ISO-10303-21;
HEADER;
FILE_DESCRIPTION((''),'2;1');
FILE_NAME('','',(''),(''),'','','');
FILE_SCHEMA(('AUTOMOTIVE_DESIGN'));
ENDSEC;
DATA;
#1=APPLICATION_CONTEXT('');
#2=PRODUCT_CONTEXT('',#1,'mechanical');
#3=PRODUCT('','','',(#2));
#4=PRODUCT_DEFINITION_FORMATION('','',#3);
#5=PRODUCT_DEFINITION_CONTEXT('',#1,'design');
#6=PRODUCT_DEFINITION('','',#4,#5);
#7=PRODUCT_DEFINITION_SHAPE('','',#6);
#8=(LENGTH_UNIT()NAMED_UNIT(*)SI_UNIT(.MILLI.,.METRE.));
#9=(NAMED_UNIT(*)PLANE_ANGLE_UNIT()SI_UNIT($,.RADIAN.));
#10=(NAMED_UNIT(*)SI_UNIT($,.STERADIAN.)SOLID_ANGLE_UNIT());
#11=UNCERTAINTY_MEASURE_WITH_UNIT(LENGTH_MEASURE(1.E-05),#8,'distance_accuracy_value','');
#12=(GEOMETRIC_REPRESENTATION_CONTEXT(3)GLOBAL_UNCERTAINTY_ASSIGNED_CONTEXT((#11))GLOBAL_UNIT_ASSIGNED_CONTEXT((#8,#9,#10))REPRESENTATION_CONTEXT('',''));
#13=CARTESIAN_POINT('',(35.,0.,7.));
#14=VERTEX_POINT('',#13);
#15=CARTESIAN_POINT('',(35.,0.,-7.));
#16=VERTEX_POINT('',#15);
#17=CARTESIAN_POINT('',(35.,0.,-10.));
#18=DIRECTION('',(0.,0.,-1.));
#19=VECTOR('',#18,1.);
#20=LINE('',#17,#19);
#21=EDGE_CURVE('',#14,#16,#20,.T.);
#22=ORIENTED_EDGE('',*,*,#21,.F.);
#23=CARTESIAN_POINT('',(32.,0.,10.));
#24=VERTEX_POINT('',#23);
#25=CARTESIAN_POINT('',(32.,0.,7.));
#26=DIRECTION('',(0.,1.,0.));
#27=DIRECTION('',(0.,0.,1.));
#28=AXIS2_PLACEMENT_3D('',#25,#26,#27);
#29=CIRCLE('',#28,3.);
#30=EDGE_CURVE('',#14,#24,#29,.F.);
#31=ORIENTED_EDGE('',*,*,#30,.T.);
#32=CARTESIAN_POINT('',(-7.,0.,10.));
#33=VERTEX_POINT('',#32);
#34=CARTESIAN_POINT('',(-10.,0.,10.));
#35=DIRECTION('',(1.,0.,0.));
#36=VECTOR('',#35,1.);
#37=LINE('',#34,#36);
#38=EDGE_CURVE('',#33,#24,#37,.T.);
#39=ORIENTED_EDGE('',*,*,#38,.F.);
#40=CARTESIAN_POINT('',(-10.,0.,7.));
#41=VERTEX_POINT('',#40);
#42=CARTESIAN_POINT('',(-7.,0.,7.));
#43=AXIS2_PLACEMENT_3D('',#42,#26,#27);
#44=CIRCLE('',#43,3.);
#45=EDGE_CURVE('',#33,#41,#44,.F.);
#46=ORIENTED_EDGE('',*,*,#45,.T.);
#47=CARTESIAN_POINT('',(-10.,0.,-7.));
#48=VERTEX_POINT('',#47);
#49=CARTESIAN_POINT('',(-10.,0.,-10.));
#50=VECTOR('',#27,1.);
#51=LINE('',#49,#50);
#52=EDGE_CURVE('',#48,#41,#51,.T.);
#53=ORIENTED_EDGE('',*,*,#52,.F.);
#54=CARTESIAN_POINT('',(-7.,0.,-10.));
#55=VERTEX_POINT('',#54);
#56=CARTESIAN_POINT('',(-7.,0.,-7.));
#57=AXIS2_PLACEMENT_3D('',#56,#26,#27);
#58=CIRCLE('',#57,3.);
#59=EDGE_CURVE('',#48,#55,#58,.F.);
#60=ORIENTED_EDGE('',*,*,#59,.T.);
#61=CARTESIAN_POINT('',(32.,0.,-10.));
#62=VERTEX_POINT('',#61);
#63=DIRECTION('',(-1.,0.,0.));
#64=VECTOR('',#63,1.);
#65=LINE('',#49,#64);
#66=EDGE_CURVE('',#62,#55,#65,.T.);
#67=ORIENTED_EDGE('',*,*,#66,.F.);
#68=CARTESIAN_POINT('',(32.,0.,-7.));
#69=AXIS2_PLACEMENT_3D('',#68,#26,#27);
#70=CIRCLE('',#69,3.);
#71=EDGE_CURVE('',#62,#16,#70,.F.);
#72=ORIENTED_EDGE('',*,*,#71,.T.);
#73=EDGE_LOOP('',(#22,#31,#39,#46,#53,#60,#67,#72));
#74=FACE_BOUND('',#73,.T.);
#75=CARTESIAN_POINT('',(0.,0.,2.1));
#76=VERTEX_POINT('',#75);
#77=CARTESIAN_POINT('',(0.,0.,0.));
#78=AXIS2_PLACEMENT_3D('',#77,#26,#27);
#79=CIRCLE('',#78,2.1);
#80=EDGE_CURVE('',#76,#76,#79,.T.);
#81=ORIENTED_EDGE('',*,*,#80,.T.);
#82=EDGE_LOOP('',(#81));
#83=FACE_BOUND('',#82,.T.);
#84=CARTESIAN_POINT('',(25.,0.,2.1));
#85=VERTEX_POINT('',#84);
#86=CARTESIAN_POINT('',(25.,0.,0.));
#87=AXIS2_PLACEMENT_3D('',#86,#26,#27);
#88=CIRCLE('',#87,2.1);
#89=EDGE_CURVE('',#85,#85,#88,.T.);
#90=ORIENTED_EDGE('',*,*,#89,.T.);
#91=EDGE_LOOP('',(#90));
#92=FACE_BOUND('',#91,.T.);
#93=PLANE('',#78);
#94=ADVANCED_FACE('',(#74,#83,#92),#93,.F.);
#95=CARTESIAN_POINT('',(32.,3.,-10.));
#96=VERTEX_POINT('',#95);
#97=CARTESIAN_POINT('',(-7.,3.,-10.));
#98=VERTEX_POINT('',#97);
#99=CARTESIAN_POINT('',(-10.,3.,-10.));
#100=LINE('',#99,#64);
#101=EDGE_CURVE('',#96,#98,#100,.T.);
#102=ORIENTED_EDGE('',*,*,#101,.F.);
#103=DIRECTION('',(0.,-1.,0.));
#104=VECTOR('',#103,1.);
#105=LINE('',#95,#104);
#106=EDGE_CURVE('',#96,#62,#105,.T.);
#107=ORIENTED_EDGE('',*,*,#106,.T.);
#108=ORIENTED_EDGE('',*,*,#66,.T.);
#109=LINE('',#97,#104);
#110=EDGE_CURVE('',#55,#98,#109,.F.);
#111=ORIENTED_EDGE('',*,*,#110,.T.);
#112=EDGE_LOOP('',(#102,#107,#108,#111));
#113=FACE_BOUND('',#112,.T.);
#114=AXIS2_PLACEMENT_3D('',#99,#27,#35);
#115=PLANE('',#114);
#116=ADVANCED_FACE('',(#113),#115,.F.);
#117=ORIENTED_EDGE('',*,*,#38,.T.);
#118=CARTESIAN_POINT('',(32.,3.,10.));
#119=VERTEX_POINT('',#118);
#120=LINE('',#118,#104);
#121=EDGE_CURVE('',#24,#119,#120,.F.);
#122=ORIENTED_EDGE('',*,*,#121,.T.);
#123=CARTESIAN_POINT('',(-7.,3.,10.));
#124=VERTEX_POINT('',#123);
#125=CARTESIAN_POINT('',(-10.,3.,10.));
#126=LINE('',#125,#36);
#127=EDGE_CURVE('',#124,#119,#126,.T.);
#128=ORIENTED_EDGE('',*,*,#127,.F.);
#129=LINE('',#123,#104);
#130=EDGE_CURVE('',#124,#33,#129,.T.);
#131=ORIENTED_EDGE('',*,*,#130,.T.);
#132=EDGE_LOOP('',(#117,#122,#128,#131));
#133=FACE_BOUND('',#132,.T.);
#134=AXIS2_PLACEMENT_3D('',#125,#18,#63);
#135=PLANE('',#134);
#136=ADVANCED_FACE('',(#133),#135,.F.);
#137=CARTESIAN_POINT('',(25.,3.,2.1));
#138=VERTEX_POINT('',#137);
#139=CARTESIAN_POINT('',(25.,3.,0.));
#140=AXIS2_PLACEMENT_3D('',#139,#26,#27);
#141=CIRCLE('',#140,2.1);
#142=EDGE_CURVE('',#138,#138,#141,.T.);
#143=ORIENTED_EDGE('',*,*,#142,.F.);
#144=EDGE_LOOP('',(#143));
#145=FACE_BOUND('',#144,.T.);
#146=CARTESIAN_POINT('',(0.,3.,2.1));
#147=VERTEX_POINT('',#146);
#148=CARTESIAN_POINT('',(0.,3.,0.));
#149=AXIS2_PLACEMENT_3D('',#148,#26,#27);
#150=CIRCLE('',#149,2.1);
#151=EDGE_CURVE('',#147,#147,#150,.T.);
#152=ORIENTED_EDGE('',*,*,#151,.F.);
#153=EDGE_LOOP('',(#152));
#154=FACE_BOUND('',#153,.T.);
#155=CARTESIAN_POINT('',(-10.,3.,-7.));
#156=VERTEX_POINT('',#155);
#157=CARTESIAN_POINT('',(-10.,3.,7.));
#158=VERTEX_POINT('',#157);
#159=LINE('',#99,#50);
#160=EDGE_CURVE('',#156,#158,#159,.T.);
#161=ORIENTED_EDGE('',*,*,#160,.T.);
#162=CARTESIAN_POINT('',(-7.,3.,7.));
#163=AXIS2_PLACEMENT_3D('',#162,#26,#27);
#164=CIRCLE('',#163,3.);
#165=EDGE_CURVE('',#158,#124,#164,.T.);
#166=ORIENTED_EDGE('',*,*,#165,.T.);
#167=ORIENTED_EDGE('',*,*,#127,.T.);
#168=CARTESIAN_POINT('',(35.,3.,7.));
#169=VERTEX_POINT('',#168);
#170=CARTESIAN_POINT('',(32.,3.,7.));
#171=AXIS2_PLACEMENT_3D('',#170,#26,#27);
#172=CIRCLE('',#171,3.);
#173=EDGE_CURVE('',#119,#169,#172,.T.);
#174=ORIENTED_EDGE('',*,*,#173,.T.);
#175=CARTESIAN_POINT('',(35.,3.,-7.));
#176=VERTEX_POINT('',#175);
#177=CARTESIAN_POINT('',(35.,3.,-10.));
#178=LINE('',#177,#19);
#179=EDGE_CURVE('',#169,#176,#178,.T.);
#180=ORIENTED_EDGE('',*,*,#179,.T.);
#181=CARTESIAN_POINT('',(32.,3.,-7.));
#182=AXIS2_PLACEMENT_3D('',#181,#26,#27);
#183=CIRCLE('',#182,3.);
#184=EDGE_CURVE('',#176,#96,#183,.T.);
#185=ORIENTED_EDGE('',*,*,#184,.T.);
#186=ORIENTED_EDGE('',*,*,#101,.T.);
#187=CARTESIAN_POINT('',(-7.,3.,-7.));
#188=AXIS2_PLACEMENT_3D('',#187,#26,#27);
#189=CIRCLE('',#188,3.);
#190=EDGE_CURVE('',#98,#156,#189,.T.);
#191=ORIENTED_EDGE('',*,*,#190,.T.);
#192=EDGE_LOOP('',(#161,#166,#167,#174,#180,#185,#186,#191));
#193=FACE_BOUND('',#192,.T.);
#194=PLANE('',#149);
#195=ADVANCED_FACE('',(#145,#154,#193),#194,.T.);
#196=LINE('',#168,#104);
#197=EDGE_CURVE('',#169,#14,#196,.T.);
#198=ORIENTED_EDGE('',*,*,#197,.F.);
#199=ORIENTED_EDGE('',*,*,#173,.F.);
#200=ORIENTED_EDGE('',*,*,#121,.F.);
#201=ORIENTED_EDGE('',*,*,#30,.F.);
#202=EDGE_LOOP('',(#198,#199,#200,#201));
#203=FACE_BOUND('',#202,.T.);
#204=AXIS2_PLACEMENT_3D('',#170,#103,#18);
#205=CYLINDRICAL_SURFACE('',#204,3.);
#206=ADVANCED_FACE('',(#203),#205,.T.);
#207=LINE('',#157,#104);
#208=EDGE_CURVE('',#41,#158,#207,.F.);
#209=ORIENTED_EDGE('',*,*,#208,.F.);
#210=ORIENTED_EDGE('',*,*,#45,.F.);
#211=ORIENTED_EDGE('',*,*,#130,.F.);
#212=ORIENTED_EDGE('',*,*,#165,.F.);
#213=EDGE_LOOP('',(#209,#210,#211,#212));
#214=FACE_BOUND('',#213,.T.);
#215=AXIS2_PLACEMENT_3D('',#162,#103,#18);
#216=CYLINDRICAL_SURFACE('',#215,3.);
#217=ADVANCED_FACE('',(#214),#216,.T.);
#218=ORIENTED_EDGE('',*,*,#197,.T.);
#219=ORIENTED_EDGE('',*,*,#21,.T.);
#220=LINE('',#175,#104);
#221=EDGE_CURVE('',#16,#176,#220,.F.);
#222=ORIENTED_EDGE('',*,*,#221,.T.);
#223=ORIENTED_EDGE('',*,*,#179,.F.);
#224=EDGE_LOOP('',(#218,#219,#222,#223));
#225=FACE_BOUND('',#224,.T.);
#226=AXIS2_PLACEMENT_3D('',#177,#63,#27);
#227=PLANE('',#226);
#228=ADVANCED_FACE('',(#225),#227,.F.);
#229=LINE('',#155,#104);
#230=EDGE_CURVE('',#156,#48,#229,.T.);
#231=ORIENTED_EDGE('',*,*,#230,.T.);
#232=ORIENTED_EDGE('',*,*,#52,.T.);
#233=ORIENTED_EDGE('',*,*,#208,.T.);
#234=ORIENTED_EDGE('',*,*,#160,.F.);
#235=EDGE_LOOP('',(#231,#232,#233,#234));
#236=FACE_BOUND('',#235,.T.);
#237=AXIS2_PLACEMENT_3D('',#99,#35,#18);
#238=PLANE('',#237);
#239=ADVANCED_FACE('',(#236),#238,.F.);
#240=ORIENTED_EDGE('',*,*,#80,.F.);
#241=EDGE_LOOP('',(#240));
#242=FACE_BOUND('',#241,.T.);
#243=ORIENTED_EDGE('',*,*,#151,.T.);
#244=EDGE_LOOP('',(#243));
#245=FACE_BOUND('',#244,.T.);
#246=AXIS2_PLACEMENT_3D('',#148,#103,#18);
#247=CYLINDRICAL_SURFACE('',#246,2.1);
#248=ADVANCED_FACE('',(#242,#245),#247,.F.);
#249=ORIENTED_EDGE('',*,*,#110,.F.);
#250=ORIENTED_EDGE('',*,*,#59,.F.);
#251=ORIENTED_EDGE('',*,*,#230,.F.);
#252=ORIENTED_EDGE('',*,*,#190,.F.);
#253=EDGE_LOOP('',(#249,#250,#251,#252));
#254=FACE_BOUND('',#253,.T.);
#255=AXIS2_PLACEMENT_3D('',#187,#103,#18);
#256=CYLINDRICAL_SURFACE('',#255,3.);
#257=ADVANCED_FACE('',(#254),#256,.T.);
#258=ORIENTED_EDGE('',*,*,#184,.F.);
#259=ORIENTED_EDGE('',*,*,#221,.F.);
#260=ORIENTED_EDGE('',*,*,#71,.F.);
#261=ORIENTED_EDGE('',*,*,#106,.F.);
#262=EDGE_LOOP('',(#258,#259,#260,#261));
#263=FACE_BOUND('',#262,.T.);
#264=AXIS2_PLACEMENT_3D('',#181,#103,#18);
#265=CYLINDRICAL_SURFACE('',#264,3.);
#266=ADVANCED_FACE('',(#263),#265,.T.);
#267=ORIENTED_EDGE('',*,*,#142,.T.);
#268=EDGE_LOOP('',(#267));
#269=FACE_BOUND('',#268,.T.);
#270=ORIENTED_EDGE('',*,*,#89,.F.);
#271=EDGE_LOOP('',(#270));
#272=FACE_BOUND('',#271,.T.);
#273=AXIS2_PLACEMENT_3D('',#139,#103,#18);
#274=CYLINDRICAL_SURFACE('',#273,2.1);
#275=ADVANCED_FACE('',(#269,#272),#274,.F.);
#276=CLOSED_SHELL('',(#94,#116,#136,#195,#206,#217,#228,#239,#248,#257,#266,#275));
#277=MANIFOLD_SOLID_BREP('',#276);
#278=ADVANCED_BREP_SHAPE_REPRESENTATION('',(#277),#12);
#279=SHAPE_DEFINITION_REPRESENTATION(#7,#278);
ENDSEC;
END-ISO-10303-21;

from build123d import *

# Parameters (mm, degrees)
SKETCH_1_W      = 45
SKETCH_1_H      = 20
SKETCH_1_R      = 2.1
EXTRUDE_1_DEPTH = 3
FILLET_1_R      = 3


with BuildPart() as part:
    # 草图1 → 凸台-拉伸1 (new body)
    with BuildSketch(Plane(origin=(0, 0, 0), x_dir=(1, 0, 0), z_dir=(0, 1, 0))):
        with Locations((12.5, 0)):
            Rectangle(SKETCH_1_W, SKETCH_1_H)
        with Locations(Location((0, 0, 0), (0, 0, 270))):
            Circle(SKETCH_1_R, mode=Mode.SUBTRACT)
        with Locations(Location((25, 0, 0), (0, 0, 270))):
            Circle(SKETCH_1_R, mode=Mode.SUBTRACT)
    extrude(amount=EXTRUDE_1_DEPTH)

    # 圆角1
    fillet_1_edges = [part.edges().sort_by_distance(p)[0] for p in [
        (35, 1.5, 10),
        (-10, 1.5, 10),
        (-10, 1.5, -10),
        (35, 1.5, -10),
    ]]
    fillet(fillet_1_edges, radius=FILLET_1_R)


solid = part.part
